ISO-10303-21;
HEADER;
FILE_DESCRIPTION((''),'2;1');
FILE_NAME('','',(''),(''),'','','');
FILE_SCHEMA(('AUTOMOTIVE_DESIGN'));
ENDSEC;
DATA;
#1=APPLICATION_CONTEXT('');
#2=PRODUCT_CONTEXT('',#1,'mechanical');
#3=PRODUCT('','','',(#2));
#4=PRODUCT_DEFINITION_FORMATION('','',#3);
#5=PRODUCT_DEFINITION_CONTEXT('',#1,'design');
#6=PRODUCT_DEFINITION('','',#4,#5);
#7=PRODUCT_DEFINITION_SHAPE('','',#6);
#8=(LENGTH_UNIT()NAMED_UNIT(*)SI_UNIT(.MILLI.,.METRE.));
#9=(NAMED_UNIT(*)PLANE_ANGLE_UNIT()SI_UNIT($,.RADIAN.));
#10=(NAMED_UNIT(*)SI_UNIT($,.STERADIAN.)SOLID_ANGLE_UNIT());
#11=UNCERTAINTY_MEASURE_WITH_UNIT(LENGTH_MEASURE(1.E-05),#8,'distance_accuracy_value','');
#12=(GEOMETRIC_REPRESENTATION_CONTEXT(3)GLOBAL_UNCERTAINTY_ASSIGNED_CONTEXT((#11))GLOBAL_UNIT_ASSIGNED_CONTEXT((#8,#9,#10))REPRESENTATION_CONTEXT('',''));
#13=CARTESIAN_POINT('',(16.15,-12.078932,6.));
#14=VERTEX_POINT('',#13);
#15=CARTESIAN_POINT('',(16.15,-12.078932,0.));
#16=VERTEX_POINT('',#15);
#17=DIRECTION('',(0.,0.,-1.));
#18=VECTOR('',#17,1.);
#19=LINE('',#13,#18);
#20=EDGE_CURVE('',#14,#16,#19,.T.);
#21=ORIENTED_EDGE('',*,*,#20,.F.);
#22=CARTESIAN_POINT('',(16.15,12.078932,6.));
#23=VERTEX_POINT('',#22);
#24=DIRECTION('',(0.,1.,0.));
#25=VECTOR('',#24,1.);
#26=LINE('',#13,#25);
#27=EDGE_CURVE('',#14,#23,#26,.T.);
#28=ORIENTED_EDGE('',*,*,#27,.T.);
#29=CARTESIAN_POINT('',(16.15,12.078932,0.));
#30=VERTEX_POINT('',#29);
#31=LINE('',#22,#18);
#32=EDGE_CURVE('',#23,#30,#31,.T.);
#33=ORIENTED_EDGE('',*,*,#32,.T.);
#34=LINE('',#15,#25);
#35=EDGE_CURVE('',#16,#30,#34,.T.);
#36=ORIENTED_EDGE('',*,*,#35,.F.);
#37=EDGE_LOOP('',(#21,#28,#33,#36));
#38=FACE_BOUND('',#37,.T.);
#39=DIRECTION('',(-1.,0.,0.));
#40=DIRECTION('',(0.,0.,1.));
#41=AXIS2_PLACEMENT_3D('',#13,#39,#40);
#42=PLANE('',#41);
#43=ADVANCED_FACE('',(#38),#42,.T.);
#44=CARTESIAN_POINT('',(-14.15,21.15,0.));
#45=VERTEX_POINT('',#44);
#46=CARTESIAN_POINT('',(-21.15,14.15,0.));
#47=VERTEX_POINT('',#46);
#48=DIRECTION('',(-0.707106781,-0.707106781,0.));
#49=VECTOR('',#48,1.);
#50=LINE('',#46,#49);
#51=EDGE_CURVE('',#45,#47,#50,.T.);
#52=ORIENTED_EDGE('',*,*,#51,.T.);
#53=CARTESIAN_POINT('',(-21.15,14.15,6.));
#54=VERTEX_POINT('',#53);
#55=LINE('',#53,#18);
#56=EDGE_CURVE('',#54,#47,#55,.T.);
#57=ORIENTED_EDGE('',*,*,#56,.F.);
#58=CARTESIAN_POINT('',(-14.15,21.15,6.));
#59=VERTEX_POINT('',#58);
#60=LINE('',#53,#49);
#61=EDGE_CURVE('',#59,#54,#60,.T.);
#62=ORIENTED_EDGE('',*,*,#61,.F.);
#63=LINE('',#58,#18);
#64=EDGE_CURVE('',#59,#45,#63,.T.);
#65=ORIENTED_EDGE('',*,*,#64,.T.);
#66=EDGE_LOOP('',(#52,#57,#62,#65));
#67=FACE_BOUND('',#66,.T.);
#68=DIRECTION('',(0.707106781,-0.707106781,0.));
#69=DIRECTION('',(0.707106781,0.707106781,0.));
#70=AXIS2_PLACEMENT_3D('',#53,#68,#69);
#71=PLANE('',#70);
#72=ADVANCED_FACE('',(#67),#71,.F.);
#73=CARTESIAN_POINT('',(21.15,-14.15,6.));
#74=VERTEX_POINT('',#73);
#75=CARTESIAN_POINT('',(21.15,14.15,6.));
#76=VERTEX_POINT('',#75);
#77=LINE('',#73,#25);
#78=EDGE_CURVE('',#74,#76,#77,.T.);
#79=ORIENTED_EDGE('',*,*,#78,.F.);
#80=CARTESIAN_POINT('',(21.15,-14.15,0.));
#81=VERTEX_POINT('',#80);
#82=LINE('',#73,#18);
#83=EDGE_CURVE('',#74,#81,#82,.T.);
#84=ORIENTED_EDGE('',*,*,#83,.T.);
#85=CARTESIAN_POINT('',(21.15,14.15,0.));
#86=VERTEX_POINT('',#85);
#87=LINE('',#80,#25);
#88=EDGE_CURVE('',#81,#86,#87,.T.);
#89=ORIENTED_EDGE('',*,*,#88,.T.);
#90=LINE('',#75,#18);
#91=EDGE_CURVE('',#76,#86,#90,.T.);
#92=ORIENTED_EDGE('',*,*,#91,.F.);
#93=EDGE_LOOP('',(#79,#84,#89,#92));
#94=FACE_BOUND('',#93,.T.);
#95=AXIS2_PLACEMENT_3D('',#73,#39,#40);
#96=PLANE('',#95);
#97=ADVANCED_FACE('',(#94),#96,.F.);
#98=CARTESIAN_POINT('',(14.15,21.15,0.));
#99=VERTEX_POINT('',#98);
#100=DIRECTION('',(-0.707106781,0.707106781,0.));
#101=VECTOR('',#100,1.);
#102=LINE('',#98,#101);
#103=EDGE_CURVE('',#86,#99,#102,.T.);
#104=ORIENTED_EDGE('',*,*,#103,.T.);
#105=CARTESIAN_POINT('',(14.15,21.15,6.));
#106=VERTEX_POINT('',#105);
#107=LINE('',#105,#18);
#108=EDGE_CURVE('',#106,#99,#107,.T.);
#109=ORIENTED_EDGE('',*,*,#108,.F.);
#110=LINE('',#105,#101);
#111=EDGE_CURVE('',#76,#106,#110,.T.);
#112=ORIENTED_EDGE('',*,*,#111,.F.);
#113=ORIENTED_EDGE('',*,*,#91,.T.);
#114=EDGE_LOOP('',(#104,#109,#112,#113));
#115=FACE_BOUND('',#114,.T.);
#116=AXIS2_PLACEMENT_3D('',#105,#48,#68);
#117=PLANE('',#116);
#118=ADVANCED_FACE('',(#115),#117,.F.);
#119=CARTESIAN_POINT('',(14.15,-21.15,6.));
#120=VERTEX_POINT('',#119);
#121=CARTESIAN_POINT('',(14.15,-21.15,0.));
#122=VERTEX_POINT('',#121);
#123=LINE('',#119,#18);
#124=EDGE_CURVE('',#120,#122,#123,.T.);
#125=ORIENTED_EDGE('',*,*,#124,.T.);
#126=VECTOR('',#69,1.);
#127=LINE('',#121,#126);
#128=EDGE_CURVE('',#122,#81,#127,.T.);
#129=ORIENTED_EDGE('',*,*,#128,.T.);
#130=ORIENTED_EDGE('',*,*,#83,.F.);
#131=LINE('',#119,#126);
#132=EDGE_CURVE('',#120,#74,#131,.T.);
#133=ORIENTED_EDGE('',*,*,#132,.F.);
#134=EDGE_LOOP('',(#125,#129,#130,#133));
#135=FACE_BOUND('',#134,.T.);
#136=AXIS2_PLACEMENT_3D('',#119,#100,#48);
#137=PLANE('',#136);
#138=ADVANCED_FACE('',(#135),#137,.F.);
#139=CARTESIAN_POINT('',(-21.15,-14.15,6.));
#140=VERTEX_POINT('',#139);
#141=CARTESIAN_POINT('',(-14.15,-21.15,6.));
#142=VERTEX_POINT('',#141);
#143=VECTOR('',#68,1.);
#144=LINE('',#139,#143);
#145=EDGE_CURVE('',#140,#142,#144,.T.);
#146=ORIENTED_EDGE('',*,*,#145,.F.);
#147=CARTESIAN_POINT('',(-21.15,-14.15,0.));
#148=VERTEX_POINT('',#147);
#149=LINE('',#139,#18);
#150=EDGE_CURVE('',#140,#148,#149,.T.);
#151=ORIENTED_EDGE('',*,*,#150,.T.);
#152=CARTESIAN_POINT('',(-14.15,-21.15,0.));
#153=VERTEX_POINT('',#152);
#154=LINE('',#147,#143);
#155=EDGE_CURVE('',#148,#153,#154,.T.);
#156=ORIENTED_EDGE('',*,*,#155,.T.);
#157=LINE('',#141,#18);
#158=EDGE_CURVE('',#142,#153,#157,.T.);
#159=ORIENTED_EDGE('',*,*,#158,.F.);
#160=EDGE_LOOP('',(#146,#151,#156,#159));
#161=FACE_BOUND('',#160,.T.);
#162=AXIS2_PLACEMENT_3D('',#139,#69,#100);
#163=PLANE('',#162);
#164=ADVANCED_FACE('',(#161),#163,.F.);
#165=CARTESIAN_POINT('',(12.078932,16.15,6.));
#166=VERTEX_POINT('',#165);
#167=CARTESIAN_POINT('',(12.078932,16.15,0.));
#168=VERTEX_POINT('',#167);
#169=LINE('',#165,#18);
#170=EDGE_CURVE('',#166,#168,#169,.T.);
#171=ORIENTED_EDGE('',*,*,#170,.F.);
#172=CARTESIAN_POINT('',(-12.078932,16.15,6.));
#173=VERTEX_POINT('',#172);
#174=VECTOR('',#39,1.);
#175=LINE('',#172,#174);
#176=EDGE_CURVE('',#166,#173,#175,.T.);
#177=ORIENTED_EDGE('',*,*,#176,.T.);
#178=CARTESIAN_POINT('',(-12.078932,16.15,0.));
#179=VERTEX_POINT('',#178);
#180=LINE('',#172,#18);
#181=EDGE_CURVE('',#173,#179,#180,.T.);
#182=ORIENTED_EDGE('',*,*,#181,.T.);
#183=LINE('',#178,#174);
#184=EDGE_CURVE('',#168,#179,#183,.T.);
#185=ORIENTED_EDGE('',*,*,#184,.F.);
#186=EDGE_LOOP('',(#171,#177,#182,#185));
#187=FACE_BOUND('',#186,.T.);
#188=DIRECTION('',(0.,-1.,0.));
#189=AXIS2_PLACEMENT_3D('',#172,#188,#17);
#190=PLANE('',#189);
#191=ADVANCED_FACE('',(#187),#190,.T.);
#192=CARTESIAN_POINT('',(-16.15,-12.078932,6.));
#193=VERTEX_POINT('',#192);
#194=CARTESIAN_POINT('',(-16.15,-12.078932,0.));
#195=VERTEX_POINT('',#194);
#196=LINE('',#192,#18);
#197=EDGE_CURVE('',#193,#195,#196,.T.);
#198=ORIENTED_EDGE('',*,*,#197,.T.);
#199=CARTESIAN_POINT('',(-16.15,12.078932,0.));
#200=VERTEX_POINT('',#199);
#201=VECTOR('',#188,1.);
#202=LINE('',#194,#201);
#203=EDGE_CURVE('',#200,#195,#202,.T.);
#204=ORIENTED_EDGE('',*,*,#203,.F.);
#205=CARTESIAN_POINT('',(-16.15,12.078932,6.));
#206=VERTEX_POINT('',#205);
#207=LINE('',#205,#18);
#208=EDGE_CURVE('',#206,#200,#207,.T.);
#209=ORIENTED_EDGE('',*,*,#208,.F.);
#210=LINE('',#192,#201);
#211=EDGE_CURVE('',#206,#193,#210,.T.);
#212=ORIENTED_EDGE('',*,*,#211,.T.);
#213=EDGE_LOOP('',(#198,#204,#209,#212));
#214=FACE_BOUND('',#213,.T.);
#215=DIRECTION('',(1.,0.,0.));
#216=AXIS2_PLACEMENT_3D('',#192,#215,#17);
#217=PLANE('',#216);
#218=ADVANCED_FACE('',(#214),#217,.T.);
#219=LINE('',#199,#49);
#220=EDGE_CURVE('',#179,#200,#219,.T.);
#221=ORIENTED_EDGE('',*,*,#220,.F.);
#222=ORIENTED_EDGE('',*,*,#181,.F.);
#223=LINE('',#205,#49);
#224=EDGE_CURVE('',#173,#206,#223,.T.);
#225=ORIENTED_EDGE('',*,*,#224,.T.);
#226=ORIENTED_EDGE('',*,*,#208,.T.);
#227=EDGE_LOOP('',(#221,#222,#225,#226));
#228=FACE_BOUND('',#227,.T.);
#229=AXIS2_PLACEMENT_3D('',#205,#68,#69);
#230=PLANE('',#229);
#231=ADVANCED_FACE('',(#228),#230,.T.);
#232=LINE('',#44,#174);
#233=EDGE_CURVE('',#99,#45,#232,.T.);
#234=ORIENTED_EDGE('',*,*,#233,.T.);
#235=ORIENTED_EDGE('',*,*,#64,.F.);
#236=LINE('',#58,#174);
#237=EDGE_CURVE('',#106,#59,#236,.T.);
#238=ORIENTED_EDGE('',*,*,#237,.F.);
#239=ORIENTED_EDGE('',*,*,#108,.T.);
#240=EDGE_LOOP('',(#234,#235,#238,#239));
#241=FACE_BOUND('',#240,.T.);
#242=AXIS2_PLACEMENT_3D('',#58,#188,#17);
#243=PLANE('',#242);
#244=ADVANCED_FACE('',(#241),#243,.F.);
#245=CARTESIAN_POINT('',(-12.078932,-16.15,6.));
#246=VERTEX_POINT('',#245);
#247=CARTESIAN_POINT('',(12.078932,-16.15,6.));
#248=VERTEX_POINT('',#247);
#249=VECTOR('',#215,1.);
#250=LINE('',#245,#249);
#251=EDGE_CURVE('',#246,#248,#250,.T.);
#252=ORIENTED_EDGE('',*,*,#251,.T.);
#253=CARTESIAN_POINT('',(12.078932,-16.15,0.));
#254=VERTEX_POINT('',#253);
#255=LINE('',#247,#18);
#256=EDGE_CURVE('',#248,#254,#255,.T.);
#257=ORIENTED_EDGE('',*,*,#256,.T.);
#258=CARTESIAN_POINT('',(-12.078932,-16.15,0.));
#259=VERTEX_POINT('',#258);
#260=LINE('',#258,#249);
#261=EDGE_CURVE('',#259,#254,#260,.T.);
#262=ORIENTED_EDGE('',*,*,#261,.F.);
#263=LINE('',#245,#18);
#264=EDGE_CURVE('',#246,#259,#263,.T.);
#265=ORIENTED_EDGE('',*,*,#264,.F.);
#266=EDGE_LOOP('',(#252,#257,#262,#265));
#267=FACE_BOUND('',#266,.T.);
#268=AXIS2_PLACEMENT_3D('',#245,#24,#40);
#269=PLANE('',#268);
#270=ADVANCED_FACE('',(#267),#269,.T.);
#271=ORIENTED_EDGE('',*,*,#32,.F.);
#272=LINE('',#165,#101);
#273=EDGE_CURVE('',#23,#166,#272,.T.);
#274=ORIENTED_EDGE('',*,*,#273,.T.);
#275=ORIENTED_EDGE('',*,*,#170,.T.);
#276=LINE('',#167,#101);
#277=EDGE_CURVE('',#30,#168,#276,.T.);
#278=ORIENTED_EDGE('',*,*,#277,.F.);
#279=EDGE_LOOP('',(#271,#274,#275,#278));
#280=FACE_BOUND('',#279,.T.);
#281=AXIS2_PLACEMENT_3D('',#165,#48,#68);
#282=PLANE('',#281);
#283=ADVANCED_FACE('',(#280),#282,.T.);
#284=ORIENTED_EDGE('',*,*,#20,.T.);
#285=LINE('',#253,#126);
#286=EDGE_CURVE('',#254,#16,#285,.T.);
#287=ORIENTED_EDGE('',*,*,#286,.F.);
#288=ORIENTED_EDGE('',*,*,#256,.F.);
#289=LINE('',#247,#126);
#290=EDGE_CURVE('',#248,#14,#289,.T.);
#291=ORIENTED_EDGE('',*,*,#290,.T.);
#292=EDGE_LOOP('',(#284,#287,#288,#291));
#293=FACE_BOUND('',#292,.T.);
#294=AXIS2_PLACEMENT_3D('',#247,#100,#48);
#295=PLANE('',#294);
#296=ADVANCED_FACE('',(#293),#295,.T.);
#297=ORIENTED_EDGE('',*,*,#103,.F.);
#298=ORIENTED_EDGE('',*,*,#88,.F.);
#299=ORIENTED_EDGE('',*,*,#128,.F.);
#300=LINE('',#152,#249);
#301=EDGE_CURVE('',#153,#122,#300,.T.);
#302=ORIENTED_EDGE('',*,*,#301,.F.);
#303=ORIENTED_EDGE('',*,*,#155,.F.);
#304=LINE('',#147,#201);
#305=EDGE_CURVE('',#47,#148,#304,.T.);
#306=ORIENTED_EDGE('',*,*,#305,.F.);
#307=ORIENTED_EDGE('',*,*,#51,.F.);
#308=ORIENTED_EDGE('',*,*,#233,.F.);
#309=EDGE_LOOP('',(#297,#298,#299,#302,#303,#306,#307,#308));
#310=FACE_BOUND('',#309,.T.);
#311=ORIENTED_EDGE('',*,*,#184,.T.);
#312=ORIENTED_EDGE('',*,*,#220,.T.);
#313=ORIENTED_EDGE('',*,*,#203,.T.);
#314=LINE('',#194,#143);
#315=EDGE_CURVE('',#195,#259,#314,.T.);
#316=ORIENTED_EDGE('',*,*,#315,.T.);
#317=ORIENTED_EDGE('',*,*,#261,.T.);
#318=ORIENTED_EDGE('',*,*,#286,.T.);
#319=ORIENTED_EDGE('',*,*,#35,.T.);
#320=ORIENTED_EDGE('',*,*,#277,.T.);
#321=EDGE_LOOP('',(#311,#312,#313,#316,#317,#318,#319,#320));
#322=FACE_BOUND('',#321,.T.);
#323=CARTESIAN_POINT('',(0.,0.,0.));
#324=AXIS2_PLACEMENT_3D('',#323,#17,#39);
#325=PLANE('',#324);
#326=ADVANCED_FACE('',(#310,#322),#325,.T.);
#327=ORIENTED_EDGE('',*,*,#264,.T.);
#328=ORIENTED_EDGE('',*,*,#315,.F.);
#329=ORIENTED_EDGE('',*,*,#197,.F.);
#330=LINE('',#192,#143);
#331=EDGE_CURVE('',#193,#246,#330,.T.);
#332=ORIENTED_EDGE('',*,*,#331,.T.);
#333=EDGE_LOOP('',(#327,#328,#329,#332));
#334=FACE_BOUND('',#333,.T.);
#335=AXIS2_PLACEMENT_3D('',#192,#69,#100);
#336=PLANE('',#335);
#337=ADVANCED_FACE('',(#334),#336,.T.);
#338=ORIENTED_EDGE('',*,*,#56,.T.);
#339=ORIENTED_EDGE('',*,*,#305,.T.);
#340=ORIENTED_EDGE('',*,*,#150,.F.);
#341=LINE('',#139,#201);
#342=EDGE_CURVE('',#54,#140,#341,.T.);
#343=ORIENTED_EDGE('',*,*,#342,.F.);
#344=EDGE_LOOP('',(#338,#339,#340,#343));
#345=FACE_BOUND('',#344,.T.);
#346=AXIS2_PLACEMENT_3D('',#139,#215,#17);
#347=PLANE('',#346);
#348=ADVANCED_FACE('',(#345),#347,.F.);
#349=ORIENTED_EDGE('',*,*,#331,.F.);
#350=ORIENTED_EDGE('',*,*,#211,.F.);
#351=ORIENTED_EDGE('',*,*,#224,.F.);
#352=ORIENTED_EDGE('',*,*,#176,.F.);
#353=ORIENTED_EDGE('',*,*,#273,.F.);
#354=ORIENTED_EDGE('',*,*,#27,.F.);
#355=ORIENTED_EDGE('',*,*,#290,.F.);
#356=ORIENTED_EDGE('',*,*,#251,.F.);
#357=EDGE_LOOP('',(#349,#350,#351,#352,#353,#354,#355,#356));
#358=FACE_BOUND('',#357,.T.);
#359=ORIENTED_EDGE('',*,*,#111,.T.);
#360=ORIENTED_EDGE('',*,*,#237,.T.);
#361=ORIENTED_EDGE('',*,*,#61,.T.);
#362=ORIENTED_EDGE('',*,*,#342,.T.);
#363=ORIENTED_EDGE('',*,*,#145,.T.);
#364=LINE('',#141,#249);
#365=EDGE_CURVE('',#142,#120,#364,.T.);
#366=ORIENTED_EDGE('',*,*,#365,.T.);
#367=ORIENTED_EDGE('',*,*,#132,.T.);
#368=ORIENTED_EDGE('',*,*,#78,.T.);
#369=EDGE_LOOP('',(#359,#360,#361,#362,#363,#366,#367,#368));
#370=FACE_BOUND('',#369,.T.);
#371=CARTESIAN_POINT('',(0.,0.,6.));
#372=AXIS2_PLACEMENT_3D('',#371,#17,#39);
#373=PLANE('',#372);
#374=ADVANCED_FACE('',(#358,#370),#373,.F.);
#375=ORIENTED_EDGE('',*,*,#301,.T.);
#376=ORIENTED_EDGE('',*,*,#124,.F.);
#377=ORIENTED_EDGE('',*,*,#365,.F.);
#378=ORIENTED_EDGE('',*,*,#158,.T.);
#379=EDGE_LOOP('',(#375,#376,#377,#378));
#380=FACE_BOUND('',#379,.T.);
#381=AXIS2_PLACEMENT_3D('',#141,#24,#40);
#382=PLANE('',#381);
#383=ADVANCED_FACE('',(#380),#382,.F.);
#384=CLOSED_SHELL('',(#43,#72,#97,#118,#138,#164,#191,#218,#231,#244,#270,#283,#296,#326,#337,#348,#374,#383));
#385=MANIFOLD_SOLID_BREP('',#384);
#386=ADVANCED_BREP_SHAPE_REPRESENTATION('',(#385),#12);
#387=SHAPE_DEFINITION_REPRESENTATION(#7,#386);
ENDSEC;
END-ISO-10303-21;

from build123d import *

# Parameters (mm, degrees)
ESTRUSIONE_ESTRUSIONE1_DEPTH = 6


with BuildPart() as part:
    # Schizzo1 → Estrusione-Estrusione1 (new body)
    with BuildSketch(Plane.XY):
        Polygon((-21.15, 14.15), (-14.15, 21.15), (14.15, 21.15), (21.15, 14.15), (21.15, -14.15), (14.15, -21.15), (-14.15, -21.15), (-21.15, -14.15), align=None)
        Polygon((-12.078932188, 16.15), (12.078932188, 16.15), (16.15, 12.078932188), (16.15, -12.078932188), (12.078932188, -16.15), (-12.078932188, -16.15), (-16.15, -12.078932188), (-16.15, 12.078932188), align=None, mode=Mode.SUBTRACT)
    extrude(amount=ESTRUSIONE_ESTRUSIONE1_DEPTH)


solid = part.part
